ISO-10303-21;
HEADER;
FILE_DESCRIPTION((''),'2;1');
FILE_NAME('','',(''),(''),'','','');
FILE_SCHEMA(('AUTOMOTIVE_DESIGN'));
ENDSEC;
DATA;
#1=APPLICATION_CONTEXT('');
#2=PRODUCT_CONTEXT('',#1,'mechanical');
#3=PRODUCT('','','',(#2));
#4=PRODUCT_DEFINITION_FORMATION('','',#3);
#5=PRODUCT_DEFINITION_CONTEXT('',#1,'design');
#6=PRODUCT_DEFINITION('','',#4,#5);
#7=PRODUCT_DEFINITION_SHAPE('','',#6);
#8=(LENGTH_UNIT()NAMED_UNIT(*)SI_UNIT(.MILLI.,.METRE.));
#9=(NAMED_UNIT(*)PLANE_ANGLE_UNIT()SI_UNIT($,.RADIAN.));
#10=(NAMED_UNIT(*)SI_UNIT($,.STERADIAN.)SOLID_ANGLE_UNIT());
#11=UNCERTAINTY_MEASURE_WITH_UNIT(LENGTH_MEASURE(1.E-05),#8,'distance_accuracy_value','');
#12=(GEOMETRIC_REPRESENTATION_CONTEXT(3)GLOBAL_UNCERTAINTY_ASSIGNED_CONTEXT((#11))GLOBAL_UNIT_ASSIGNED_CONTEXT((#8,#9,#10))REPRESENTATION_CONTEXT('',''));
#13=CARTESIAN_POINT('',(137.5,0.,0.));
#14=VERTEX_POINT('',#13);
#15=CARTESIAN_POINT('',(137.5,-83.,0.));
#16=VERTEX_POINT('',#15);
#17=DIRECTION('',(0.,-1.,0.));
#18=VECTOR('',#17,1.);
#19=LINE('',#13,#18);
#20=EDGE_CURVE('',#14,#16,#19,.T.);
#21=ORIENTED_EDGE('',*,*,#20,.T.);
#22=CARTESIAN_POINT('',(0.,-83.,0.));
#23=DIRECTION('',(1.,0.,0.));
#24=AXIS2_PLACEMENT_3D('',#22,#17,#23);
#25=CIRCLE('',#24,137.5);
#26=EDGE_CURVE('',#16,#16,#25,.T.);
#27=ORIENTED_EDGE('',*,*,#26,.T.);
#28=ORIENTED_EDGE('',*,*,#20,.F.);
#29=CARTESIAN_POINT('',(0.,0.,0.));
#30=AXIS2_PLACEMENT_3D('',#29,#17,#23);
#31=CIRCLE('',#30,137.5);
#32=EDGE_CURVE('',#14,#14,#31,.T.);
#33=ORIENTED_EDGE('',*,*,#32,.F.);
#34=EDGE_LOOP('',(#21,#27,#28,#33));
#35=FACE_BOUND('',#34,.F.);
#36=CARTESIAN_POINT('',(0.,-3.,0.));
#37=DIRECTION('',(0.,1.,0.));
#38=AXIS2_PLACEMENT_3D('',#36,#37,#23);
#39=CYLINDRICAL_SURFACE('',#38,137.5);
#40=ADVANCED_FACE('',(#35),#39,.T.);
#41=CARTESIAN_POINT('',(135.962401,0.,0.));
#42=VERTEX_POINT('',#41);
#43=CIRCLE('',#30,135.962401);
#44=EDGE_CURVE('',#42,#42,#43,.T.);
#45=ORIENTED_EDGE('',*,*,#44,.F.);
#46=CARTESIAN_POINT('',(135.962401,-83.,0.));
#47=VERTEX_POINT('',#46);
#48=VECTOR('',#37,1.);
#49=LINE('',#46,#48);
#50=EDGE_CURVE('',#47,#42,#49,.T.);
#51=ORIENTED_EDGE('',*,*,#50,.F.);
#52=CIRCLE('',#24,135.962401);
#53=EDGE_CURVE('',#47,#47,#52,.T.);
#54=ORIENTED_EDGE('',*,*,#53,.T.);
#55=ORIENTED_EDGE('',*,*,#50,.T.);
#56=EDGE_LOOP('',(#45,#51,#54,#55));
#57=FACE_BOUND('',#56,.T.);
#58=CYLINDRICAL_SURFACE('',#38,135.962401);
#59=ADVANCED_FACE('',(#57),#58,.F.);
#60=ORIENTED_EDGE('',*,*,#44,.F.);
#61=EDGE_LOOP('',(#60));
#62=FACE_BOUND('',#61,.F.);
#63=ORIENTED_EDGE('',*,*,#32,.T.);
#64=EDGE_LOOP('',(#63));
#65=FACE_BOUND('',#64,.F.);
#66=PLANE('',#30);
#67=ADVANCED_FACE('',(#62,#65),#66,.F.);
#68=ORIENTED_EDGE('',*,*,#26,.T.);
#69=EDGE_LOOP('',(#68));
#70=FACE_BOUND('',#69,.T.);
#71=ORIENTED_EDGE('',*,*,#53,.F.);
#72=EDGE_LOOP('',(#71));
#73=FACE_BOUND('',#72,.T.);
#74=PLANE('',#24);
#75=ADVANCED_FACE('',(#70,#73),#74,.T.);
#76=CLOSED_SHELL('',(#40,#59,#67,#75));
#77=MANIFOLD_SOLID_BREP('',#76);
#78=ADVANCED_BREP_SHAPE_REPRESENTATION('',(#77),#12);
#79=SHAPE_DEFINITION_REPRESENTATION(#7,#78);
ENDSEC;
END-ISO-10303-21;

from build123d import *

# Parameters (mm, degrees)
F0_R        = 137.5
F0_R_2      = 135.962401
F1_DEPTH    = 3
F1_FACE_R   = 137.5
F1_FACE_R_2 = 135.962401
F2_DEPTH    = 80


with BuildPart() as f1:
    # F0 (on Front) → F1 (new body)
    with BuildSketch(Plane.XZ):
        Circle(F0_R)
        Circle(F0_R_2, mode=Mode.SUBTRACT)
    extrude(amount=F1_DEPTH)

    # F1_face (on face) → F2 (join)
    with BuildSketch(Plane.XZ.offset(3)):
        Circle(F1_FACE_R)
        Circle(F1_FACE_R_2, mode=Mode.SUBTRACT)
    extrude(amount=F2_DEPTH)


solid = f1.part
